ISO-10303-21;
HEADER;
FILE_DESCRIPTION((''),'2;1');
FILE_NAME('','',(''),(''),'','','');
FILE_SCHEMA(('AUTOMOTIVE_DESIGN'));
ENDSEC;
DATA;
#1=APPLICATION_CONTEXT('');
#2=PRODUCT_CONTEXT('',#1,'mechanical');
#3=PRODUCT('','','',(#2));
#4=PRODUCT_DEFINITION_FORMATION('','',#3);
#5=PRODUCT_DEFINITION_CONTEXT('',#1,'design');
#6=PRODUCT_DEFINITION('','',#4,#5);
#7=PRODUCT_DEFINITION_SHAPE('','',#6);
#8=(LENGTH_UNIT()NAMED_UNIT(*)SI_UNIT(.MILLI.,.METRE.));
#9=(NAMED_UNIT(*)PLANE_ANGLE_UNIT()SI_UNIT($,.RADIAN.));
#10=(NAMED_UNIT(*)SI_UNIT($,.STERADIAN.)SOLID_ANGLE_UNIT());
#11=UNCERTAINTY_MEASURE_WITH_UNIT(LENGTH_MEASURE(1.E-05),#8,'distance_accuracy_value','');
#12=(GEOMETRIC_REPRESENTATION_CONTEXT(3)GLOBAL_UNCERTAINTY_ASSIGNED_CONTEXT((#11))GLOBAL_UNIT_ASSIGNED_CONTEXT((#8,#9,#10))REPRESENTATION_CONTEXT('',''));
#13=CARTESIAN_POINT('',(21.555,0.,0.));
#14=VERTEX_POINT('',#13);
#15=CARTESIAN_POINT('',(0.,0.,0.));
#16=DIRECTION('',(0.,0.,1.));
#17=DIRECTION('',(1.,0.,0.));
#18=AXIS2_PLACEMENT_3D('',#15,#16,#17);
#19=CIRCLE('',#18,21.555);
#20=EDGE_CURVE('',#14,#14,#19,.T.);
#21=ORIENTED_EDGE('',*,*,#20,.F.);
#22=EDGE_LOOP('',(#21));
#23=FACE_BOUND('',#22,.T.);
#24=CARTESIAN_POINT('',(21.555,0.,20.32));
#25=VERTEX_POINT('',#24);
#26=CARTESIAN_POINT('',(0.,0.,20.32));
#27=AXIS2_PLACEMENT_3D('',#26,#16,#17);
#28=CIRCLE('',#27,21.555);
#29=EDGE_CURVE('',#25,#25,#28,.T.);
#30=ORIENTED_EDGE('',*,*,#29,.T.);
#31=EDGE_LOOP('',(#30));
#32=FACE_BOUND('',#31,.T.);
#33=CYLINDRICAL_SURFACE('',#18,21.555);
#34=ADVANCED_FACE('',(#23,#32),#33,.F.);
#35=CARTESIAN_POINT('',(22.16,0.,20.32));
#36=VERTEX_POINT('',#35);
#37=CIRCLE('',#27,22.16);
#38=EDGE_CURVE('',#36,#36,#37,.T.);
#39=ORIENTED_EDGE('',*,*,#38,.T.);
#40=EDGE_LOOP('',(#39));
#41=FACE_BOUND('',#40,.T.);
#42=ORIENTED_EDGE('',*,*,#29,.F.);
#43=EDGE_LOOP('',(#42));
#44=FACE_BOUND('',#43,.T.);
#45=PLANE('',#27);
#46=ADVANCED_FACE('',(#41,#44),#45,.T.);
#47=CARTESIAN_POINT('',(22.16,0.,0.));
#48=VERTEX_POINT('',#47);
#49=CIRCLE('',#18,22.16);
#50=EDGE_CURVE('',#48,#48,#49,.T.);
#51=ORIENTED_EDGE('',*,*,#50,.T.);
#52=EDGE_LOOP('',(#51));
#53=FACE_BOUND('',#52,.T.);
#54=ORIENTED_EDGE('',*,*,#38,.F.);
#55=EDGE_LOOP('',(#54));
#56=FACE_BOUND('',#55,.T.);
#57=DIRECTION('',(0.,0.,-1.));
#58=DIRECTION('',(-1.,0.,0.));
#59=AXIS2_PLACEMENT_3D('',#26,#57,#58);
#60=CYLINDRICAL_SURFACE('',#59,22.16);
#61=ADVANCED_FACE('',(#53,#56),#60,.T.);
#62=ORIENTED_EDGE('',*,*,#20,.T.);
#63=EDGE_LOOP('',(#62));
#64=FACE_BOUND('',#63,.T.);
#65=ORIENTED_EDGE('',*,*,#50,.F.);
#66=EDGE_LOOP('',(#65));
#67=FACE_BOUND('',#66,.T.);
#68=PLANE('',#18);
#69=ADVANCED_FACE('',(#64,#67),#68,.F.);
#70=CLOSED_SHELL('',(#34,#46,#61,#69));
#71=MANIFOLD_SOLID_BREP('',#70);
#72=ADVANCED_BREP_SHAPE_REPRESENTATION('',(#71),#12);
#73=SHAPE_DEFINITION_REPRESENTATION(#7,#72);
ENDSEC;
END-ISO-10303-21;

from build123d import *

# Parameters (mm, degrees)
SKETCH2_R           = 22.16
BOSS_EXTRUDE1_DEPTH = 20.32
SKETCH3_R           = 21.555
CUT_EXTRUDE1_DEPTH  = 20.32


with BuildPart() as part:
    # Sketch2 → Boss-Extrude1 (new body)
    with BuildSketch(Plane.XY):
        Circle(SKETCH2_R)
    extrude(amount=BOSS_EXTRUDE1_DEPTH)

    # Sketch3 → Cut-Extrude1 (cut)
    with BuildSketch(Plane.XY.offset(20.32)):
        Circle(SKETCH3_R)
    extrude(amount=-CUT_EXTRUDE1_DEPTH, mode=Mode.SUBTRACT)


solid = part.part
